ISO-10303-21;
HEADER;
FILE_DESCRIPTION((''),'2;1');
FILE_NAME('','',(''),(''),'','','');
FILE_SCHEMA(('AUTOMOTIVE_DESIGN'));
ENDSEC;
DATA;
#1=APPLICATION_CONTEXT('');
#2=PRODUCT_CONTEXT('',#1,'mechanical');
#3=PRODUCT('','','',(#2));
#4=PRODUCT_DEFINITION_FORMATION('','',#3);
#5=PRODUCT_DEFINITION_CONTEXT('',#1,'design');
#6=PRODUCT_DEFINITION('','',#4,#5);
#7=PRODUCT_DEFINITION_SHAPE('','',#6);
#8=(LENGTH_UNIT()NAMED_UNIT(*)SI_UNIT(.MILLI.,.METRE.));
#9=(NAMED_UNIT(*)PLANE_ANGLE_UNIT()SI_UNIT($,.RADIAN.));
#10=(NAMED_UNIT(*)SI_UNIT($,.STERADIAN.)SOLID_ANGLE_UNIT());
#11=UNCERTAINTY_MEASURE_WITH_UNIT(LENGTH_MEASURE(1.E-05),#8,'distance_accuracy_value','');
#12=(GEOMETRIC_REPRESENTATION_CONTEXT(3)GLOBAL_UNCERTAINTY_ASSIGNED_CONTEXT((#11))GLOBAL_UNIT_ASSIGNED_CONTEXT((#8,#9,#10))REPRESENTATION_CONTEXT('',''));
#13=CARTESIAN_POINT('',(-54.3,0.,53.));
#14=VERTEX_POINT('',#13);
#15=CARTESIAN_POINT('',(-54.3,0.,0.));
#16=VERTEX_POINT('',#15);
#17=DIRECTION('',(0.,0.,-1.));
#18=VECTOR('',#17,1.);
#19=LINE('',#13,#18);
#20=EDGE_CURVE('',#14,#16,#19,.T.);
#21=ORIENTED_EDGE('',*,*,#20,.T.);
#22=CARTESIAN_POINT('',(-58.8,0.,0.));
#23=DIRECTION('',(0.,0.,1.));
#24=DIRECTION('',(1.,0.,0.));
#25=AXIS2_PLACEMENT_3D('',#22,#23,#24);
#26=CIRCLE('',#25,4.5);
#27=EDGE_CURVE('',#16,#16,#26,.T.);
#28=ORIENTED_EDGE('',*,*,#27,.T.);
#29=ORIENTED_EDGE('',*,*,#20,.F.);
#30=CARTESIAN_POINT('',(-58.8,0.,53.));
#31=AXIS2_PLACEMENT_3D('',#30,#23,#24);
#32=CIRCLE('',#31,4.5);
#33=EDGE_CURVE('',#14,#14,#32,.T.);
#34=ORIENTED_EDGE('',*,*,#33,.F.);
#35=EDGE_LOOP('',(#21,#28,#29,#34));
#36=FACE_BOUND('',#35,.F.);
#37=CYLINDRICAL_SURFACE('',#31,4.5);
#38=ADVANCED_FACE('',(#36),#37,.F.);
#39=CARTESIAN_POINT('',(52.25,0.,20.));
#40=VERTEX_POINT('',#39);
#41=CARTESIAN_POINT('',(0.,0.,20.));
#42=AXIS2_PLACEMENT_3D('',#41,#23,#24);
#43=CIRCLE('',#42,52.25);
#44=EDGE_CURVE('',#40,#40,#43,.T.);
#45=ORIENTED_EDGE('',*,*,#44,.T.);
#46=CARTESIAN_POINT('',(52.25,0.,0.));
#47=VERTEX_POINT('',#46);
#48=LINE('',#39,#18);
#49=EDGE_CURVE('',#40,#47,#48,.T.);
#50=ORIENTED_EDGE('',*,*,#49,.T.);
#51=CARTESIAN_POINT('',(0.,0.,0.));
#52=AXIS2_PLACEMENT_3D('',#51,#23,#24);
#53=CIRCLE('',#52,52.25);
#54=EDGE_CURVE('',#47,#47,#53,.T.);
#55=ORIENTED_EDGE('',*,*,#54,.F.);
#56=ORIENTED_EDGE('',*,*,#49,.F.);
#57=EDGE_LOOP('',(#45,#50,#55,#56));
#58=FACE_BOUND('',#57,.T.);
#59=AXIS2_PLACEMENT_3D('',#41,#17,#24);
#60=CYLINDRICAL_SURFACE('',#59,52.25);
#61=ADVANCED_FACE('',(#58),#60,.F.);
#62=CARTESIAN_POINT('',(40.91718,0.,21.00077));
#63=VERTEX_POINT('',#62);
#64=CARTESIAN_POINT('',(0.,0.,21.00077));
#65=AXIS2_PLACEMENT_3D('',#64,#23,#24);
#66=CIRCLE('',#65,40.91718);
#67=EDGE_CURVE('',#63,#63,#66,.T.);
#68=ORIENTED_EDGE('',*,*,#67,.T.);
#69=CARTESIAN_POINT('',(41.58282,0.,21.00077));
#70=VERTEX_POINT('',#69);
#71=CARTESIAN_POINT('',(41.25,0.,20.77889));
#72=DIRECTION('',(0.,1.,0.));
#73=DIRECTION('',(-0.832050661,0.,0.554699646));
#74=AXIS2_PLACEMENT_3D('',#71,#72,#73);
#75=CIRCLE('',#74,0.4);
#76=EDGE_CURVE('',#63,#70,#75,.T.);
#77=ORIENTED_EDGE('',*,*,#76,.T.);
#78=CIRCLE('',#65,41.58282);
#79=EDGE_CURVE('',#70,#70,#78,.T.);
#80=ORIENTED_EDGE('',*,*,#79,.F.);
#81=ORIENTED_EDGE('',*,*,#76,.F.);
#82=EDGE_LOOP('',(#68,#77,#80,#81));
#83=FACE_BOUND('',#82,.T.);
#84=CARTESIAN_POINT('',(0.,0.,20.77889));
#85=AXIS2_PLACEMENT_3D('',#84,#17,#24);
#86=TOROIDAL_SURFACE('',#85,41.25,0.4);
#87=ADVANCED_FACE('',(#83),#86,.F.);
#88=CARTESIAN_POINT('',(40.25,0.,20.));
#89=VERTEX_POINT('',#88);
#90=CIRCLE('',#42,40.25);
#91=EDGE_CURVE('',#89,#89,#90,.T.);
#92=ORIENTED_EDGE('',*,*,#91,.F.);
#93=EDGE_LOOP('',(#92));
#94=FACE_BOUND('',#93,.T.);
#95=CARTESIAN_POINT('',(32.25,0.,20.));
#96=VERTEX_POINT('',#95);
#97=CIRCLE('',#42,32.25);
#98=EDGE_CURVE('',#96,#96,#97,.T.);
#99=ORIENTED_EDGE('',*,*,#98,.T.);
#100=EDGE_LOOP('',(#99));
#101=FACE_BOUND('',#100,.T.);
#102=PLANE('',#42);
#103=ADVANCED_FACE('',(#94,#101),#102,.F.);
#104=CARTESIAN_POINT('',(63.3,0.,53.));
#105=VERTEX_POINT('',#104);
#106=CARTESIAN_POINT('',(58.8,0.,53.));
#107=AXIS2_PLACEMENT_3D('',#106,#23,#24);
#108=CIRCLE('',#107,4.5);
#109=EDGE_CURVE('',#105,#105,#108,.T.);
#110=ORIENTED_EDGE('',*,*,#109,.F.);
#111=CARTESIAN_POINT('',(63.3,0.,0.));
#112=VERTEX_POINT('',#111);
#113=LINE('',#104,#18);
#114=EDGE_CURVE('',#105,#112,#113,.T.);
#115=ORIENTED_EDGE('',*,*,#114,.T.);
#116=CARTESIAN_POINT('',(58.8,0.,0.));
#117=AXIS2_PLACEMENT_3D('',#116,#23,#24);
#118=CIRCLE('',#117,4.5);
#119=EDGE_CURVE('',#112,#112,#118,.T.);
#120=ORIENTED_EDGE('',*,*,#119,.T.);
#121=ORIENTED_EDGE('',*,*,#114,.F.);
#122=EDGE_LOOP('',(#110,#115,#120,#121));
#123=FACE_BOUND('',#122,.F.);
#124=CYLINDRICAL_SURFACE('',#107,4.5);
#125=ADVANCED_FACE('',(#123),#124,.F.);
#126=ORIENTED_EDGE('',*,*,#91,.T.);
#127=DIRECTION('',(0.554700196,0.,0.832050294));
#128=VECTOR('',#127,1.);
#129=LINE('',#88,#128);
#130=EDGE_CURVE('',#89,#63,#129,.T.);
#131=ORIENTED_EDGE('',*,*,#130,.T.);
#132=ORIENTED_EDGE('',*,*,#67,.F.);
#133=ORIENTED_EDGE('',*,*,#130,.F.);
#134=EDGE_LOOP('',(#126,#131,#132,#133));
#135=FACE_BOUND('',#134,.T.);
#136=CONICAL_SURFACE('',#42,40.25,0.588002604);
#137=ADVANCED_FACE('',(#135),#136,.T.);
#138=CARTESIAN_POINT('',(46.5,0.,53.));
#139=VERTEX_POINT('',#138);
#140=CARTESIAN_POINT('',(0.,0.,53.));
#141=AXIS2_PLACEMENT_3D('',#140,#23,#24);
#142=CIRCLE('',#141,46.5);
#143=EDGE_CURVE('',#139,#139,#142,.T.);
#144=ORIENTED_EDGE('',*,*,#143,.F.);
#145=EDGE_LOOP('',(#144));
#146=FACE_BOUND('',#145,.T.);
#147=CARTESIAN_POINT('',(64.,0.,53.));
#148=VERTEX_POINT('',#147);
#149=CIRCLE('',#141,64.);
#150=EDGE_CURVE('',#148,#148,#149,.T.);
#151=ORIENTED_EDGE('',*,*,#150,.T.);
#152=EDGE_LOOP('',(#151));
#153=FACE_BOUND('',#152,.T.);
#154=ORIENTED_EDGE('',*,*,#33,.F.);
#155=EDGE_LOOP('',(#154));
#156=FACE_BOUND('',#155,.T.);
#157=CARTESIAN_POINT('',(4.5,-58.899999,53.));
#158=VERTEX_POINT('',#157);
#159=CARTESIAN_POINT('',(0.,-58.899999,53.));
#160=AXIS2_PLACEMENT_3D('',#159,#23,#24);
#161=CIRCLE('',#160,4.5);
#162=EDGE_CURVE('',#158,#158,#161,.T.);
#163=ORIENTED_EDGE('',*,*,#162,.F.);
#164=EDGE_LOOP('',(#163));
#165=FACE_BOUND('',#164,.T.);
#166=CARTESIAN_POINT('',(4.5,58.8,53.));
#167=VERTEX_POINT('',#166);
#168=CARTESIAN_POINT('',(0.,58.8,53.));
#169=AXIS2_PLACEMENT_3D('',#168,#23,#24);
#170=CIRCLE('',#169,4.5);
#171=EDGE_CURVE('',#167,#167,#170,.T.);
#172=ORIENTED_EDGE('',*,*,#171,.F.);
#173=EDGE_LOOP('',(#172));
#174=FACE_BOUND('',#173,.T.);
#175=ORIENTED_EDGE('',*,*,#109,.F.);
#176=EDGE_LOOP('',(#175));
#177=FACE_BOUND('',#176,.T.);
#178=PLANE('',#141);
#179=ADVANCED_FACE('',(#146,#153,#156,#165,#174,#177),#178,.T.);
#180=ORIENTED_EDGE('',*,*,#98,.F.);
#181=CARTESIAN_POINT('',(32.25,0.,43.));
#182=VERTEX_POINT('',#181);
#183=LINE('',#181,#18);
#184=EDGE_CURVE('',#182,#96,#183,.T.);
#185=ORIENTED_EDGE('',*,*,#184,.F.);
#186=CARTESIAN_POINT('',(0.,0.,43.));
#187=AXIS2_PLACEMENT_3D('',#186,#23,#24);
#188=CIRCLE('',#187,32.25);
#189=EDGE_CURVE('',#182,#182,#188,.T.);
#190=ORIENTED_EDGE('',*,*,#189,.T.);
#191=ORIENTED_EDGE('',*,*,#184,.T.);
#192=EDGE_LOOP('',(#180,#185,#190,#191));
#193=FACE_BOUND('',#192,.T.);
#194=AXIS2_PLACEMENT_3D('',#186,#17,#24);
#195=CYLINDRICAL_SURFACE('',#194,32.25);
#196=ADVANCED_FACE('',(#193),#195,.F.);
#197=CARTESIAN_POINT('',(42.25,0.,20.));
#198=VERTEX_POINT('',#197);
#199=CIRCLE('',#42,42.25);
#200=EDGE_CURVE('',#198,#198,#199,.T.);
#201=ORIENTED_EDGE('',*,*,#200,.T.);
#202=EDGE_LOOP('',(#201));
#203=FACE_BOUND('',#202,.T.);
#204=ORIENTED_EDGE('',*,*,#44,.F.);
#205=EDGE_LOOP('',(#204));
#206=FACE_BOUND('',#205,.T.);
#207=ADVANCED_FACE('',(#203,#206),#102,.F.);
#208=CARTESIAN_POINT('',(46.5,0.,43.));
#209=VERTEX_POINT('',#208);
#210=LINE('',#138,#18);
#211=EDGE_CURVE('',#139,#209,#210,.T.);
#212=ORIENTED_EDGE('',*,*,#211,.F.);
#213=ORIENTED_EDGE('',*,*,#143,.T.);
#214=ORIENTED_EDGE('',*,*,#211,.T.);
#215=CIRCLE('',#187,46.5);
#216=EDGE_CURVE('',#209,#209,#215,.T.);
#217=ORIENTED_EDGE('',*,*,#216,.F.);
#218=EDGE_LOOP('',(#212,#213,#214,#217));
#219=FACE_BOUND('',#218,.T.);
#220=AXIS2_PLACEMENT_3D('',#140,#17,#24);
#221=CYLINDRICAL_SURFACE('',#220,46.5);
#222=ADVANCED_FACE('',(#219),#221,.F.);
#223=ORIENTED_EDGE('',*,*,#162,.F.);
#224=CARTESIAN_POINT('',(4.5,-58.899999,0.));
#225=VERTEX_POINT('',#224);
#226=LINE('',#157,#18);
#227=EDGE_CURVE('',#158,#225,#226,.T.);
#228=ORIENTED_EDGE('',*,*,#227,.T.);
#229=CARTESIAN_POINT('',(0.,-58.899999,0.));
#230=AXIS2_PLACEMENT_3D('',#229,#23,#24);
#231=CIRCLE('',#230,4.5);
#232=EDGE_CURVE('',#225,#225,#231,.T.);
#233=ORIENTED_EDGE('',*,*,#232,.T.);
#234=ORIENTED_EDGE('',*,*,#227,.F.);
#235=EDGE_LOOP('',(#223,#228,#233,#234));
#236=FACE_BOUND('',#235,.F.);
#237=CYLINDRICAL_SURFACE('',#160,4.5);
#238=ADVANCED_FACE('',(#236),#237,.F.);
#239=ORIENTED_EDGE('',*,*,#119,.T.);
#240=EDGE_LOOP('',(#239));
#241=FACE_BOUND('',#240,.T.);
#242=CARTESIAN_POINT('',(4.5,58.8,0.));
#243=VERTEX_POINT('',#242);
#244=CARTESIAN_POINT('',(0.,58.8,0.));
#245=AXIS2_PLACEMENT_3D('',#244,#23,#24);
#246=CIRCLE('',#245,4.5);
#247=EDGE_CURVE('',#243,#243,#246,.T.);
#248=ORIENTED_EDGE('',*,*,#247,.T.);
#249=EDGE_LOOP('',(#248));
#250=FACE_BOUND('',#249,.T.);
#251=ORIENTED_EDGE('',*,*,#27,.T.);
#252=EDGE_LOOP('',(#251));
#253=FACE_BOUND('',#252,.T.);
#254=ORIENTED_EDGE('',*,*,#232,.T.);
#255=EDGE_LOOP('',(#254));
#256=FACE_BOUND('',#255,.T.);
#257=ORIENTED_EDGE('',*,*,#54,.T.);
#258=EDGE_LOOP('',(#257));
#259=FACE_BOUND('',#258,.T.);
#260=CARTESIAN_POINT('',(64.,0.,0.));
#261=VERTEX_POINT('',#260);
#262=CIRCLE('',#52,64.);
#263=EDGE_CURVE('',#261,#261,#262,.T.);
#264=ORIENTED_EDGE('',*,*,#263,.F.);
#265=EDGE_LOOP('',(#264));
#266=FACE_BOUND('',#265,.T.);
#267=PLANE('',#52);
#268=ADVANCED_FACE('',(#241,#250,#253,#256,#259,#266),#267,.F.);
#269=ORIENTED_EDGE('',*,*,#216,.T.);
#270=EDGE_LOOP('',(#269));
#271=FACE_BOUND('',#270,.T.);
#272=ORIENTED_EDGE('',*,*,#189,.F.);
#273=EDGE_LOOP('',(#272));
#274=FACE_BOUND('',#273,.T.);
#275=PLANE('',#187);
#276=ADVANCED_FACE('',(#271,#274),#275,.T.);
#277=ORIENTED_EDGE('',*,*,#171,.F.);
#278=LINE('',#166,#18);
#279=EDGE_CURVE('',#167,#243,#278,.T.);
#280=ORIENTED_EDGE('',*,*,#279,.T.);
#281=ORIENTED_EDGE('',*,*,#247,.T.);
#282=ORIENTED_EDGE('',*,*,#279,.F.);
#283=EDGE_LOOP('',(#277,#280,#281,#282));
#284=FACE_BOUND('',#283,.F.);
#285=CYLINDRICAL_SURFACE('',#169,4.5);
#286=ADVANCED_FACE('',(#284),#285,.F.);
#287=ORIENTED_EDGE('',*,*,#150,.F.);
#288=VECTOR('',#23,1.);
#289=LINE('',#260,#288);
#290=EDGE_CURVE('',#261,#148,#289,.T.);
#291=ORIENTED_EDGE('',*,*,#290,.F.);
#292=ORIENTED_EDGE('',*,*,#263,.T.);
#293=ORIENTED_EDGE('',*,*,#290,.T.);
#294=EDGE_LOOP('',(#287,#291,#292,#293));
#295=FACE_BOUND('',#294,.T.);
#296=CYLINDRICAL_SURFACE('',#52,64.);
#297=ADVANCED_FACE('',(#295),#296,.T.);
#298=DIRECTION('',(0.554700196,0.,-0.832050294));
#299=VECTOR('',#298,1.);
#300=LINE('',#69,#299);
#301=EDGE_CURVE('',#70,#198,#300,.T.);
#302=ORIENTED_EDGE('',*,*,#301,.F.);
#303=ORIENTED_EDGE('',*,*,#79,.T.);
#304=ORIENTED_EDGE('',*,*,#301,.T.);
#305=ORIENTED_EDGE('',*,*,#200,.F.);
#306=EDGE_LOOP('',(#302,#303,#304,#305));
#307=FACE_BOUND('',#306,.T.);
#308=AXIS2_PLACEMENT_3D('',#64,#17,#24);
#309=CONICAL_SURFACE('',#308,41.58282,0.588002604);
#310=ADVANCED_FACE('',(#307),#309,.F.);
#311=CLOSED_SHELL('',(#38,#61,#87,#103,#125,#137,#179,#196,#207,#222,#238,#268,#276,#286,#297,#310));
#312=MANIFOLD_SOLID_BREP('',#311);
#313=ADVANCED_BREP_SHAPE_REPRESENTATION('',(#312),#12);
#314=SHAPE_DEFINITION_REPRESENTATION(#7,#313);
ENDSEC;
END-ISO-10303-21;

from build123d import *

# Parameters (mm, degrees)
F2_R     = 4.5
F3_DEPTH = 53


with BuildPart() as f1:
    # F0 (on Front) → F1 (revolve)
    with BuildSketch(Plane.XZ):
        with BuildLine():
            Line((52.25, 0), (64, 0))
            Line((64, 0), (64, 53))
            Line((64, 53), (46.5, 53))
            Line((46.5, 53), (46.5, 43))
            Line((46.5, 43), (32.25, 43))
            Line((32.25, 43), (32.25, 20))
            Line((32.25, 20), (40.25, 20))
            Line((40.25, 20), (40.91718, 21.00077))
            ThreePointArc((40.91718, 21.00077), (41.25, 21.17889), (41.58282, 21.00077))
            Line((41.58282, 21.00077), (42.25, 20))
            Line((42.25, 20), (52.25, 20))
            Line((52.25, 20), (52.25, 0))
        make_face()
    revolve(axis=Axis((0, 0, 26.5), (0, 0, 1)))

    # F2 (on face) → F3 (cut)
    with BuildSketch(Plane.XY.offset(53)):
        with Locations((0, 58.8)):
            Circle(F2_R)
        with Locations((58.8, 0)):
            Circle(F2_R)
        with Locations((0, -58.899999)):
            Circle(F2_R)
        with Locations((-58.8, 0)):
            Circle(F2_R)
    extrude(amount=-F3_DEPTH, mode=Mode.SUBTRACT)


solid = f1.part
